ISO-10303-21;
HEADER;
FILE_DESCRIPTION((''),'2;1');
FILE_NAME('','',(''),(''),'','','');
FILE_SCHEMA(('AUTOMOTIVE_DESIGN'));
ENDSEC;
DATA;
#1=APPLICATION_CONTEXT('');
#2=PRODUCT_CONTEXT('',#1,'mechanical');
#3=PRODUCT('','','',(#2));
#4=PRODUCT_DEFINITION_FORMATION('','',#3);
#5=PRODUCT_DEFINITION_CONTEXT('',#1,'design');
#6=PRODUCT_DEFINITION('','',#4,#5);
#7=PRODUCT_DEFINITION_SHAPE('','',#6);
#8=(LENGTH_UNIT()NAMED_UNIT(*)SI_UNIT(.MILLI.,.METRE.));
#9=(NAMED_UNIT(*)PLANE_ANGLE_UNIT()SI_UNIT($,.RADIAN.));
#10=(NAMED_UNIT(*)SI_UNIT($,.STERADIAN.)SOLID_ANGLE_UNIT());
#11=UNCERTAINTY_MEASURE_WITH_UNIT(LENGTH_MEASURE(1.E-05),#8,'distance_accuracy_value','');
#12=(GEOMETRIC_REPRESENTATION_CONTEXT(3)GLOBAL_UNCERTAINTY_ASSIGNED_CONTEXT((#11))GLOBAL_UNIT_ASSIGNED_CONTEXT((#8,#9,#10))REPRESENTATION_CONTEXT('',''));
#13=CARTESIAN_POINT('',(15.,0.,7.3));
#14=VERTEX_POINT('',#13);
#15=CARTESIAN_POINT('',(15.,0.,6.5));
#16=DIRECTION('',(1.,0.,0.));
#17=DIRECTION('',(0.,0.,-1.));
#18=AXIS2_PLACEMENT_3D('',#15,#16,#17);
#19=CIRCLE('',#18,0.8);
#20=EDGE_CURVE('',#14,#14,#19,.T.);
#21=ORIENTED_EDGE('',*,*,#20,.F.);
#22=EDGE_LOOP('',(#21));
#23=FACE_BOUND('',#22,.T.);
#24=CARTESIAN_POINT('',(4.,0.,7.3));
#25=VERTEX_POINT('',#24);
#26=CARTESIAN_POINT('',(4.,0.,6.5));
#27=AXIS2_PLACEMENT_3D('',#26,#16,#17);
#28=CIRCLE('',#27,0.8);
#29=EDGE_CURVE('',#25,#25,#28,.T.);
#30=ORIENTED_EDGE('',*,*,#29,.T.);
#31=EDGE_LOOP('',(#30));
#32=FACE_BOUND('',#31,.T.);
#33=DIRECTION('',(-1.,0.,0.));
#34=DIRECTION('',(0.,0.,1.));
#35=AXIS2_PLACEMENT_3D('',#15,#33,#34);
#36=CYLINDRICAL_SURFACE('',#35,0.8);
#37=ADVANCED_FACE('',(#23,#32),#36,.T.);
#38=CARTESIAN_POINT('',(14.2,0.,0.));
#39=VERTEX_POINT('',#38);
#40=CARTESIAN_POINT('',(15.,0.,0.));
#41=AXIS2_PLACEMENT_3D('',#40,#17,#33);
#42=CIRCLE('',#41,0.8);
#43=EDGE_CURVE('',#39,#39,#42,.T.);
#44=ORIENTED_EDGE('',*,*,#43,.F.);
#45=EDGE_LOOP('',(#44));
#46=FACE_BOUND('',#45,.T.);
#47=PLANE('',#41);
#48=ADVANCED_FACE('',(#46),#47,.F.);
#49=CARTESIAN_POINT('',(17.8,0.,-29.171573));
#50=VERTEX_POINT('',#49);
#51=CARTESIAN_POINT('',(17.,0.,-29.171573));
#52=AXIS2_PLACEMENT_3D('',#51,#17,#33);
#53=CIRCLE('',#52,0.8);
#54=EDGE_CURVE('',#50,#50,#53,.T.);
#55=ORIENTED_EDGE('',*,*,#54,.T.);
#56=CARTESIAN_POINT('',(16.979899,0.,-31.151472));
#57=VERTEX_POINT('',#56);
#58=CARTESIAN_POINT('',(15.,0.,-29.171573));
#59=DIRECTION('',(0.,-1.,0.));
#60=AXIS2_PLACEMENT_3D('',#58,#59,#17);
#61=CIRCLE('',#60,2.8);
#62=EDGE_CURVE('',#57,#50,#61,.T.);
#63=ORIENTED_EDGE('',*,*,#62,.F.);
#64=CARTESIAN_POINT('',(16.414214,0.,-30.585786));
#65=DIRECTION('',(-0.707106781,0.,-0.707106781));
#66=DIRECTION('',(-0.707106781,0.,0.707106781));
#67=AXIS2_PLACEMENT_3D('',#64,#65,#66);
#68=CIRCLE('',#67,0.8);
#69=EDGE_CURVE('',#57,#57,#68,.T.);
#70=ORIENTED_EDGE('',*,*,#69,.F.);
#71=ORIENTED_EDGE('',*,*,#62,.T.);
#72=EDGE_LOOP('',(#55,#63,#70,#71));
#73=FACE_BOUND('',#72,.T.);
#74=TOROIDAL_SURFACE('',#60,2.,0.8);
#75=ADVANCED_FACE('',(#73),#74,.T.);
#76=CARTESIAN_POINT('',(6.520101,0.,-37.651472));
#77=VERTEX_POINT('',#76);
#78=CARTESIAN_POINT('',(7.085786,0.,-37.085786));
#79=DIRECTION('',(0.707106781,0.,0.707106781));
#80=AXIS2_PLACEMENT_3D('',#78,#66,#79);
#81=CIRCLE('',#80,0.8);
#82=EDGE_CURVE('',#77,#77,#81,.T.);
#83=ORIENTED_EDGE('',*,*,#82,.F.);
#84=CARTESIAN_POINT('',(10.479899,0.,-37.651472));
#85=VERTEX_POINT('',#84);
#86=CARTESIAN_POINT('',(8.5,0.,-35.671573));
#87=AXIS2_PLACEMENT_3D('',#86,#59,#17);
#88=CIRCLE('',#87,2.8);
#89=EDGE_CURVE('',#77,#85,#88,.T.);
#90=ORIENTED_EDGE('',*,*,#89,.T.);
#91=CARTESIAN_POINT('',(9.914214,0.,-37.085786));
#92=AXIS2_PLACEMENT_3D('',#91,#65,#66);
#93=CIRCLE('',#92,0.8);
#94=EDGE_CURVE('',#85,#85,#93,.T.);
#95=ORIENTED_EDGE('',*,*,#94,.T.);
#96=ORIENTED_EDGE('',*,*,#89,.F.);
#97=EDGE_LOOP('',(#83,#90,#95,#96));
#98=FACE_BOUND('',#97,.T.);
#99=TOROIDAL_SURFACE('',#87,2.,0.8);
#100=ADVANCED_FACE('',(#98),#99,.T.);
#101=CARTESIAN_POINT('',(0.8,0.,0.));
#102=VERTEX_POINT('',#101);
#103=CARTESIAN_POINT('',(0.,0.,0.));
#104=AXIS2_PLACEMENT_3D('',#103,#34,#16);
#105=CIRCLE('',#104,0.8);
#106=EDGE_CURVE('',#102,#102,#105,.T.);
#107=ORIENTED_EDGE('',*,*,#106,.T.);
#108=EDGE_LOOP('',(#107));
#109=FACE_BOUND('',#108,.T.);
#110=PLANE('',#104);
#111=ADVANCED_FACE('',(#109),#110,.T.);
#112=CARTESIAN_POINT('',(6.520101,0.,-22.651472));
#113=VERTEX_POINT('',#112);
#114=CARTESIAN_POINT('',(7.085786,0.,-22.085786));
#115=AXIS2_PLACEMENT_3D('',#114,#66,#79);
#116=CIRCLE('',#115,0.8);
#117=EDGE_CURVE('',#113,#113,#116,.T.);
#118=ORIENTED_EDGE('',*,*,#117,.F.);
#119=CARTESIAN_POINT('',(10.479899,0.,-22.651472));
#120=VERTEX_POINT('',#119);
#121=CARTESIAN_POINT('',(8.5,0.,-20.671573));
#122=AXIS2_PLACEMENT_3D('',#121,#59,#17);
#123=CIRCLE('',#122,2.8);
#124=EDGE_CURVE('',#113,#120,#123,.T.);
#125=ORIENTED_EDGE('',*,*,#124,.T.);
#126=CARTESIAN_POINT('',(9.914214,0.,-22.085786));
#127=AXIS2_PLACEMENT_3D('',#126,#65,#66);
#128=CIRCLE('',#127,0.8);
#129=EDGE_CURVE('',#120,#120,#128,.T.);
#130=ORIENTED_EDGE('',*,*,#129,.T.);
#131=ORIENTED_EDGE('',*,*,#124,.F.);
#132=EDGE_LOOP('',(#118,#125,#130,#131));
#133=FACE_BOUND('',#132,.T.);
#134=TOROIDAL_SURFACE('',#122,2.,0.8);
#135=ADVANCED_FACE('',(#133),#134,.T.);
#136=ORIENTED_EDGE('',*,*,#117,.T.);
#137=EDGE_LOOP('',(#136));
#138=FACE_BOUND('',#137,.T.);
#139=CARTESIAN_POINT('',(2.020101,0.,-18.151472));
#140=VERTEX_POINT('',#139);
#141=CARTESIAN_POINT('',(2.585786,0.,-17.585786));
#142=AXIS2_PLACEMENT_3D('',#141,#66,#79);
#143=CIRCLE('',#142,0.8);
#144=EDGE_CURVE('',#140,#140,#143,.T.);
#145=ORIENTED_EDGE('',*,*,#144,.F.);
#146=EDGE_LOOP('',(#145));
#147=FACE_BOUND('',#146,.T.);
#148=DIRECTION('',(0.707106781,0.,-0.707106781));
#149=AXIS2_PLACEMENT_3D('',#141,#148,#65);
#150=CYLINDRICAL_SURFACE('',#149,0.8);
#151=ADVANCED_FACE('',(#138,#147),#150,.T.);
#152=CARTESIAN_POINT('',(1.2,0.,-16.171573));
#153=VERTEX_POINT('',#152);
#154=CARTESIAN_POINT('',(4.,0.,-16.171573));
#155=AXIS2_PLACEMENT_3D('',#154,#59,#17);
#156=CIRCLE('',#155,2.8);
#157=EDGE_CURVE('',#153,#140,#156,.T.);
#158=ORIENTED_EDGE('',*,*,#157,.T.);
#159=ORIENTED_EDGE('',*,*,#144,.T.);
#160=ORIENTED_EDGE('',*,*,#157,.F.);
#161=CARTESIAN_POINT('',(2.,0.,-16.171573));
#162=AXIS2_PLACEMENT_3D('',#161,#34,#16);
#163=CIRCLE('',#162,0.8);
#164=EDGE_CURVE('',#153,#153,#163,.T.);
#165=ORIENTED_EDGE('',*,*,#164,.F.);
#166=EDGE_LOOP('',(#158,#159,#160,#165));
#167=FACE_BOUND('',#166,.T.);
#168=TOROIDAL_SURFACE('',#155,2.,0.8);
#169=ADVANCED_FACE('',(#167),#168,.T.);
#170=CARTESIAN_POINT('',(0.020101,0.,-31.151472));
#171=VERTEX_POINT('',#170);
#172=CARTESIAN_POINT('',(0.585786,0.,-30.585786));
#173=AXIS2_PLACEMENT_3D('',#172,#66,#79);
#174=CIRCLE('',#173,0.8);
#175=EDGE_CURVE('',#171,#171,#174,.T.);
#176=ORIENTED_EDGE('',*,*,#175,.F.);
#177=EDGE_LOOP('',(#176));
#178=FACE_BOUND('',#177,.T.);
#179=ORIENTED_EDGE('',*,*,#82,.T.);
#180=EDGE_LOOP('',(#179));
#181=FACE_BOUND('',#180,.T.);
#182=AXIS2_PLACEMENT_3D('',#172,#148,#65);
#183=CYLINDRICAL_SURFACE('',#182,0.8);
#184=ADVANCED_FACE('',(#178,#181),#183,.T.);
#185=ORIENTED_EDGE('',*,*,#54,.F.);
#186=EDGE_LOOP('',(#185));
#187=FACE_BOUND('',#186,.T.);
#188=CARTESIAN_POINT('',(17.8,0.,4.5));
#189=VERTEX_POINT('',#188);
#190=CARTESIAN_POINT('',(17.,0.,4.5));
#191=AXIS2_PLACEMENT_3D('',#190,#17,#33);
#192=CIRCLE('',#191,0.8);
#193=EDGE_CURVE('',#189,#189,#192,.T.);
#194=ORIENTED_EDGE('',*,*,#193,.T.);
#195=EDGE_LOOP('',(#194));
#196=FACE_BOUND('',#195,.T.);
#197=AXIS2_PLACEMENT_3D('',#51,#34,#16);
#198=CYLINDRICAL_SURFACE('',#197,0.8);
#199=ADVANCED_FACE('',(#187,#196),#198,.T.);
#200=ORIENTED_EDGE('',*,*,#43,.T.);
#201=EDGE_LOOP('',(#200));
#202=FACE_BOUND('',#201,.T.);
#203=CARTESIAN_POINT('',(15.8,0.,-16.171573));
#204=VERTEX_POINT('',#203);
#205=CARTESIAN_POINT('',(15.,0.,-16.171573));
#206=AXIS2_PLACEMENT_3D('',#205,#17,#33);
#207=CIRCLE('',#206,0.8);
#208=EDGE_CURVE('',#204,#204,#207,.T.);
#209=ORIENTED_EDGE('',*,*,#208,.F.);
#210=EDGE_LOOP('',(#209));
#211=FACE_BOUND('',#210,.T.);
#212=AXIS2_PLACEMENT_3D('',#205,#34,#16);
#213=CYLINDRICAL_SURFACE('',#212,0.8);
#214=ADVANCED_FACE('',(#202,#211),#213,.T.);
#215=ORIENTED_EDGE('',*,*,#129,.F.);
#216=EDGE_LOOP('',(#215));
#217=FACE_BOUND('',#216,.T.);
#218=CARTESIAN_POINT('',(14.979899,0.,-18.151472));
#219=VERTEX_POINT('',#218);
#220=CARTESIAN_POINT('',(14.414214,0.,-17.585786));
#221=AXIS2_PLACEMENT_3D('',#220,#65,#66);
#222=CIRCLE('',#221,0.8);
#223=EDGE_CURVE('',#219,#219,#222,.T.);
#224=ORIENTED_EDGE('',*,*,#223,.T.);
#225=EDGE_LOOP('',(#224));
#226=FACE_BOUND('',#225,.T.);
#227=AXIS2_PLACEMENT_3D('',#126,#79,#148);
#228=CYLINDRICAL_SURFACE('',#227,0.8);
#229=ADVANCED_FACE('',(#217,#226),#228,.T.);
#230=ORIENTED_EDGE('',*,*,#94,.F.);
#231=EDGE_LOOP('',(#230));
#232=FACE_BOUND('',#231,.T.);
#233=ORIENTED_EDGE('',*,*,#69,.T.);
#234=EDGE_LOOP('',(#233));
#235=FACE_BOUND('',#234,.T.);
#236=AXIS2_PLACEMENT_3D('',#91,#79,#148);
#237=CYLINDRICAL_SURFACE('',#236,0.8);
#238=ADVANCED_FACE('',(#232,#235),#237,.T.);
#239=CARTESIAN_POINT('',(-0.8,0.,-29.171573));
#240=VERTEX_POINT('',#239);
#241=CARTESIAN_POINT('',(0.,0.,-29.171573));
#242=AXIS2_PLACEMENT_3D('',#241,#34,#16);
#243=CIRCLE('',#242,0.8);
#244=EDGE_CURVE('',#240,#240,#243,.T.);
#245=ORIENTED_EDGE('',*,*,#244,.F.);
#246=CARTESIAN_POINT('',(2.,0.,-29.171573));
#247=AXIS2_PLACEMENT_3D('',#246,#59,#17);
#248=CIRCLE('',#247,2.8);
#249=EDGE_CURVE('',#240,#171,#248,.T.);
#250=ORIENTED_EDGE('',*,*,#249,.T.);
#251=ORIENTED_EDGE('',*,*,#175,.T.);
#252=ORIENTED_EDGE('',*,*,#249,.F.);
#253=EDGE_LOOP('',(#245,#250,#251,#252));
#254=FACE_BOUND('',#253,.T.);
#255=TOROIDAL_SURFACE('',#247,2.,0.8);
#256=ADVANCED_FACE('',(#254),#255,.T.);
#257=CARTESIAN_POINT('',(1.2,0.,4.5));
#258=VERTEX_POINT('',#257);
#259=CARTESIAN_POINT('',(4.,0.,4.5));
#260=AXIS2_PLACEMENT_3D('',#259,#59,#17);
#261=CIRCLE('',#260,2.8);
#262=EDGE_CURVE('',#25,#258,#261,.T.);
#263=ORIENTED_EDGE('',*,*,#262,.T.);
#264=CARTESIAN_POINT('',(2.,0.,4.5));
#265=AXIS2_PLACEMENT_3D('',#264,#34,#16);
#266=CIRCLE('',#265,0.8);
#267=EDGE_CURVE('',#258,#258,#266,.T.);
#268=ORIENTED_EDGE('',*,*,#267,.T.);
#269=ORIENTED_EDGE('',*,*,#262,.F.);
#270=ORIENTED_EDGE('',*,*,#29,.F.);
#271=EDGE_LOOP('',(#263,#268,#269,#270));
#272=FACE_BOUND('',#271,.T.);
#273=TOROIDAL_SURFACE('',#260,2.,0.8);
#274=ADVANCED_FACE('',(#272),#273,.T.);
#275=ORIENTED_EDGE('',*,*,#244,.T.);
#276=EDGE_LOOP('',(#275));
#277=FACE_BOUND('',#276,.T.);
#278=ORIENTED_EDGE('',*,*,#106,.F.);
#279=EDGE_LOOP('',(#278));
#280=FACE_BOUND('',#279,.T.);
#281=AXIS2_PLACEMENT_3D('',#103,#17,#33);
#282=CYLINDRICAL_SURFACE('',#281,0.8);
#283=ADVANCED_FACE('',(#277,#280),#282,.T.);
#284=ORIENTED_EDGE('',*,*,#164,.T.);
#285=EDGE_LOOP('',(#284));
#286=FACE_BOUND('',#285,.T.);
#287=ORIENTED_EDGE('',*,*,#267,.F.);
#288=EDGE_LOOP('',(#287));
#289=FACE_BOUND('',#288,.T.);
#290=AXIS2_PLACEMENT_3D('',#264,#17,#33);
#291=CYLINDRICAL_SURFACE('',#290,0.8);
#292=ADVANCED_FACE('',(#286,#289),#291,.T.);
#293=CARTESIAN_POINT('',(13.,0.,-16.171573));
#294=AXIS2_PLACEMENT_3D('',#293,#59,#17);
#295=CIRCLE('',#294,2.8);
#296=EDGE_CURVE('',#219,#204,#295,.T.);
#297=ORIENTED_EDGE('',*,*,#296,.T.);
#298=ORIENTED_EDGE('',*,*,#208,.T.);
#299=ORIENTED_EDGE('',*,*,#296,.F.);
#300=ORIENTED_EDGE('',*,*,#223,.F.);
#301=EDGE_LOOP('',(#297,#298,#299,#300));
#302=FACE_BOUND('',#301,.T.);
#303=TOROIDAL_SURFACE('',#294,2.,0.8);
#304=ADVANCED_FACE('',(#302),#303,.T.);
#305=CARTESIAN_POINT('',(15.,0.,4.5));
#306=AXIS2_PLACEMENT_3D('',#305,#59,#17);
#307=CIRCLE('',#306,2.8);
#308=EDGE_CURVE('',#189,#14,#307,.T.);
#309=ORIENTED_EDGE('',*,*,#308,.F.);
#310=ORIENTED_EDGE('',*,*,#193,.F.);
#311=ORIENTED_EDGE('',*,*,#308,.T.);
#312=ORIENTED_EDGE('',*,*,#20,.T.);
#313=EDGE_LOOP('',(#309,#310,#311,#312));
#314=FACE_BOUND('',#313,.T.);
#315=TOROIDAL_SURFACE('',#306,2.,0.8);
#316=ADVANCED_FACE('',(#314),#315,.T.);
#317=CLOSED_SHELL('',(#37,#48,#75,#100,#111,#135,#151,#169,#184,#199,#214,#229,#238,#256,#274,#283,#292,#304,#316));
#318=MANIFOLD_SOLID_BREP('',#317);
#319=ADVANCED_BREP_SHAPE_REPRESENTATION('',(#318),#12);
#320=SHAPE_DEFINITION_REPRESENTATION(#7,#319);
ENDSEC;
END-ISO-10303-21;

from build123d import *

# Parameters (mm, degrees)
SKETCH2_R = 0.8


with BuildPart() as part:
    # Sweep1: sweep along a path in Sketch1
    with BuildLine(Plane(origin=(0, 0, 0), x_dir=(1, 0, 0), z_dir=(0, 1, 0))) as sweep1_path:
        Line((0, 0), (0, 29.171572875))
        ThreePointArc((0, 29.171572875), (0.152240935, 29.93693974), (0.585786438, 30.585786438))
        Line((0.585786438, 30.585786438), (7.085786438, 37.085786438))
        ThreePointArc((7.085786438, 37.085786438), (8.5, 37.671572875), (9.914213562, 37.085786438))
        Line((9.914213562, 37.085786438), (16.414213562, 30.585786438))
        ThreePointArc((16.414213562, 30.585786438), (16.847759065, 29.93693974), (17, 29.171572875))
        Line((17, 29.171572875), (17, -4.5))
        ThreePointArc((17, -4.5), (16.414213562, -5.914213562), (15, -6.5))
        Line((15, -6.5), (4, -6.5))
        ThreePointArc((4, -6.5), (2.585786438, -5.914213562), (2, -4.5))
        Line((2, -4.5), (2, 16.171572875))
        ThreePointArc((2, 16.171572875), (2.152240935, 16.93693974), (2.585786438, 17.585786438))
        Line((2.585786438, 17.585786438), (7.085786438, 22.085786438))
        ThreePointArc((7.085786438, 22.085786438), (8.5, 22.671572875), (9.914213562, 22.085786438))
        Line((9.914213562, 22.085786438), (14.414213562, 17.585786438))
        ThreePointArc((14.414213562, 17.585786438), (14.847759065, 16.93693974), (15, 16.171572875))
        Line((15, 16.171572875), (15, 0))
    # Sketch2 → Sweep1 (sweep)
    with BuildSketch(Plane.XY):
        Circle(SKETCH2_R)
    sweep(path=sweep1_path.line)


solid = part.part
